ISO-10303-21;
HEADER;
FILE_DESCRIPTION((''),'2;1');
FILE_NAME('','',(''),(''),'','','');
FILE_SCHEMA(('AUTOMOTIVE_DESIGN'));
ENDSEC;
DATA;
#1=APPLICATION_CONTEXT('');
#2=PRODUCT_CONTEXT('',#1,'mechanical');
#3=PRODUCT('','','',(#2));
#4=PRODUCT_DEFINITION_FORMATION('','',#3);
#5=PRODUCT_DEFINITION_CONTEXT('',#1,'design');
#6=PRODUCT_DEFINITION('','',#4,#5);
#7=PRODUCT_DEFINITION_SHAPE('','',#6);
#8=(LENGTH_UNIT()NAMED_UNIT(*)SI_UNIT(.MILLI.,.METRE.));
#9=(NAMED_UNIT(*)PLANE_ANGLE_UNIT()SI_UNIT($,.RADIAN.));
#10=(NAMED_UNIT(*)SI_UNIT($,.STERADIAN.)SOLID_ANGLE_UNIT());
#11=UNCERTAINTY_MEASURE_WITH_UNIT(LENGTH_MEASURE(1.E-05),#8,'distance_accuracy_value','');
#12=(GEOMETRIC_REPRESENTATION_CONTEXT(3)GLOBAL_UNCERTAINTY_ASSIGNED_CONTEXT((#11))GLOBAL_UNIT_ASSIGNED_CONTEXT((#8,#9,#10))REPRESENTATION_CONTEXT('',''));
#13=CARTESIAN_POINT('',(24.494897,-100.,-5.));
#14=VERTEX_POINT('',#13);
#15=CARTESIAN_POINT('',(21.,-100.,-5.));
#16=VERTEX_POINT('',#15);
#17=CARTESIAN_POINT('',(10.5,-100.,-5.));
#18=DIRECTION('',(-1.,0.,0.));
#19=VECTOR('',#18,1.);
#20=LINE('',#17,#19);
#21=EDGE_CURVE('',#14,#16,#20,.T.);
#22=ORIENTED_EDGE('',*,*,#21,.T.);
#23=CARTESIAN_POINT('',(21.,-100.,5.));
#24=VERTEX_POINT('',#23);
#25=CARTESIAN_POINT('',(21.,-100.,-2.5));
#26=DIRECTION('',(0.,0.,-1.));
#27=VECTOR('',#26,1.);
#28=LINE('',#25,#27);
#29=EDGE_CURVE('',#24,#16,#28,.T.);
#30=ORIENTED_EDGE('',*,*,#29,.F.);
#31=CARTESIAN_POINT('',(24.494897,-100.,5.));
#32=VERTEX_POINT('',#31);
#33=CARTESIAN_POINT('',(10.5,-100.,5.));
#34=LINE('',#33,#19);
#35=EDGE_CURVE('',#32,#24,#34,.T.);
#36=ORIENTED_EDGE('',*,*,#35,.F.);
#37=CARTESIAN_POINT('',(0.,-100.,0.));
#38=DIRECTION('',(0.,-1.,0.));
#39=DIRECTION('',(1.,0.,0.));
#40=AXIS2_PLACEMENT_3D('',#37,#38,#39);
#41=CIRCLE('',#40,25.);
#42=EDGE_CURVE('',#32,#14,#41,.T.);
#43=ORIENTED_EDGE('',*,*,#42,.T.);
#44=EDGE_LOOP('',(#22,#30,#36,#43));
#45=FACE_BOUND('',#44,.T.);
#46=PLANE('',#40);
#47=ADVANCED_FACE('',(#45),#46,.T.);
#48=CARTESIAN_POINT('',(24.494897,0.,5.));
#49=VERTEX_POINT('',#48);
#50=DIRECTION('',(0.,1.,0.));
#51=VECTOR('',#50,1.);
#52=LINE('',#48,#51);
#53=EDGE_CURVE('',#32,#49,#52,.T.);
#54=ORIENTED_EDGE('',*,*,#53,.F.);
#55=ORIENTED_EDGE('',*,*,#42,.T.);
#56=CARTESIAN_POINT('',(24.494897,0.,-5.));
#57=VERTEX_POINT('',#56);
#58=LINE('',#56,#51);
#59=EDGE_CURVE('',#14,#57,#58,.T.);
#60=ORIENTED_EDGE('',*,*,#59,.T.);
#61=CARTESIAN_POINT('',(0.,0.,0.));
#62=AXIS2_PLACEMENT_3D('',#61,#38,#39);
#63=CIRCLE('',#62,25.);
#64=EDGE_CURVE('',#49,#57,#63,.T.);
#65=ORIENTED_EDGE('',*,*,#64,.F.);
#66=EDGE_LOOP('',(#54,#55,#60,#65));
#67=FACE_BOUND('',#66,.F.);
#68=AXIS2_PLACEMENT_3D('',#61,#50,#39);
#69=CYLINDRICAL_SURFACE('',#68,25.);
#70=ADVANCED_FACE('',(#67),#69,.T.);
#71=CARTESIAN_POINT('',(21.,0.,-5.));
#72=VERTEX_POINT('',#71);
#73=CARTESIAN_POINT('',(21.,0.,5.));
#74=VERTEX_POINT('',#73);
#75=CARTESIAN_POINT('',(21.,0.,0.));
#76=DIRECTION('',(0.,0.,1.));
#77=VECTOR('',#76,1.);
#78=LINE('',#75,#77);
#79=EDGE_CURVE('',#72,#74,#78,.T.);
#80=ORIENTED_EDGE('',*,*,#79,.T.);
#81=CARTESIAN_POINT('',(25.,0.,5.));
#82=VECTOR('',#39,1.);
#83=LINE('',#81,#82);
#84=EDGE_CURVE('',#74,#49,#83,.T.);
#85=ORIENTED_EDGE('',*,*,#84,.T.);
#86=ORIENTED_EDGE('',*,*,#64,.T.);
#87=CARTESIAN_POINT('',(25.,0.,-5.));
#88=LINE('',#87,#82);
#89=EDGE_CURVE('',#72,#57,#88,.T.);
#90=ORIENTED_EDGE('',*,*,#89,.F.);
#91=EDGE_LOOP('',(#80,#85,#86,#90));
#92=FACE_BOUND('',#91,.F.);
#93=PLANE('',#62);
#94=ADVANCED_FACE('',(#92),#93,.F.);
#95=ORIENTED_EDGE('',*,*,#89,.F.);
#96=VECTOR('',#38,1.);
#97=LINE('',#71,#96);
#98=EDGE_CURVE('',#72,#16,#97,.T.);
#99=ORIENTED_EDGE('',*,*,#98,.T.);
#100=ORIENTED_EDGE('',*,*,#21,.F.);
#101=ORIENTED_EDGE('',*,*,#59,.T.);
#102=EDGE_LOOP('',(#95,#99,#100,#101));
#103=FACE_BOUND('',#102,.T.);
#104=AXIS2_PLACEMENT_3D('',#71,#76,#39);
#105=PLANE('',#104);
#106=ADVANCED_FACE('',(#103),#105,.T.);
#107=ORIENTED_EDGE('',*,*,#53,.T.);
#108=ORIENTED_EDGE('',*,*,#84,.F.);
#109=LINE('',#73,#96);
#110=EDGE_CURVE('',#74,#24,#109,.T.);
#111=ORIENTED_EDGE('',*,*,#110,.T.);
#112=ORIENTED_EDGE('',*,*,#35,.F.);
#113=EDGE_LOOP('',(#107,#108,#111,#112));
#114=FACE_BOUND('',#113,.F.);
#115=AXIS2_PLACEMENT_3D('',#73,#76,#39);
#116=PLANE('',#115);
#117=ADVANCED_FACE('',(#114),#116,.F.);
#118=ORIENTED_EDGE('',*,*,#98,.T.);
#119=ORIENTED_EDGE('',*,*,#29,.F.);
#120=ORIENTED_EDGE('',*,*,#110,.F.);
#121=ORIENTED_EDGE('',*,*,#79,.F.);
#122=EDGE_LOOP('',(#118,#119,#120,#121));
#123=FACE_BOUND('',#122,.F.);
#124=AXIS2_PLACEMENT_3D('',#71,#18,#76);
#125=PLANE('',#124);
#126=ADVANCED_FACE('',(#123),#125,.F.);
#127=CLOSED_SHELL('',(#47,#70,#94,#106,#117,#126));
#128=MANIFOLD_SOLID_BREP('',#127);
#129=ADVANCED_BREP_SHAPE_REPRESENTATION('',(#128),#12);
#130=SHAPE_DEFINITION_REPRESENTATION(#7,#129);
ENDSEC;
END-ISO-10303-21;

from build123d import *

# Parameters (mm, degrees)
F0_R     = 25
F1_DEPTH = 100
F2_W     = 8
F2_H     = 10
F3_DEPTH = 100.001


with BuildPart() as f1:
    # F0 (on Front) → F1 (new body)
    with BuildSketch(Plane.XZ):
        Circle(F0_R)
    extrude(amount=F1_DEPTH)

    # F2 (on Front) → F3 (cut, through all)
    with BuildSketch(Plane.XZ):
        with Locations((25, 0)):
            Rectangle(F2_W, F2_H)
    extrude(amount=F3_DEPTH, mode=Mode.SUBTRACT)


solid = f1.part
